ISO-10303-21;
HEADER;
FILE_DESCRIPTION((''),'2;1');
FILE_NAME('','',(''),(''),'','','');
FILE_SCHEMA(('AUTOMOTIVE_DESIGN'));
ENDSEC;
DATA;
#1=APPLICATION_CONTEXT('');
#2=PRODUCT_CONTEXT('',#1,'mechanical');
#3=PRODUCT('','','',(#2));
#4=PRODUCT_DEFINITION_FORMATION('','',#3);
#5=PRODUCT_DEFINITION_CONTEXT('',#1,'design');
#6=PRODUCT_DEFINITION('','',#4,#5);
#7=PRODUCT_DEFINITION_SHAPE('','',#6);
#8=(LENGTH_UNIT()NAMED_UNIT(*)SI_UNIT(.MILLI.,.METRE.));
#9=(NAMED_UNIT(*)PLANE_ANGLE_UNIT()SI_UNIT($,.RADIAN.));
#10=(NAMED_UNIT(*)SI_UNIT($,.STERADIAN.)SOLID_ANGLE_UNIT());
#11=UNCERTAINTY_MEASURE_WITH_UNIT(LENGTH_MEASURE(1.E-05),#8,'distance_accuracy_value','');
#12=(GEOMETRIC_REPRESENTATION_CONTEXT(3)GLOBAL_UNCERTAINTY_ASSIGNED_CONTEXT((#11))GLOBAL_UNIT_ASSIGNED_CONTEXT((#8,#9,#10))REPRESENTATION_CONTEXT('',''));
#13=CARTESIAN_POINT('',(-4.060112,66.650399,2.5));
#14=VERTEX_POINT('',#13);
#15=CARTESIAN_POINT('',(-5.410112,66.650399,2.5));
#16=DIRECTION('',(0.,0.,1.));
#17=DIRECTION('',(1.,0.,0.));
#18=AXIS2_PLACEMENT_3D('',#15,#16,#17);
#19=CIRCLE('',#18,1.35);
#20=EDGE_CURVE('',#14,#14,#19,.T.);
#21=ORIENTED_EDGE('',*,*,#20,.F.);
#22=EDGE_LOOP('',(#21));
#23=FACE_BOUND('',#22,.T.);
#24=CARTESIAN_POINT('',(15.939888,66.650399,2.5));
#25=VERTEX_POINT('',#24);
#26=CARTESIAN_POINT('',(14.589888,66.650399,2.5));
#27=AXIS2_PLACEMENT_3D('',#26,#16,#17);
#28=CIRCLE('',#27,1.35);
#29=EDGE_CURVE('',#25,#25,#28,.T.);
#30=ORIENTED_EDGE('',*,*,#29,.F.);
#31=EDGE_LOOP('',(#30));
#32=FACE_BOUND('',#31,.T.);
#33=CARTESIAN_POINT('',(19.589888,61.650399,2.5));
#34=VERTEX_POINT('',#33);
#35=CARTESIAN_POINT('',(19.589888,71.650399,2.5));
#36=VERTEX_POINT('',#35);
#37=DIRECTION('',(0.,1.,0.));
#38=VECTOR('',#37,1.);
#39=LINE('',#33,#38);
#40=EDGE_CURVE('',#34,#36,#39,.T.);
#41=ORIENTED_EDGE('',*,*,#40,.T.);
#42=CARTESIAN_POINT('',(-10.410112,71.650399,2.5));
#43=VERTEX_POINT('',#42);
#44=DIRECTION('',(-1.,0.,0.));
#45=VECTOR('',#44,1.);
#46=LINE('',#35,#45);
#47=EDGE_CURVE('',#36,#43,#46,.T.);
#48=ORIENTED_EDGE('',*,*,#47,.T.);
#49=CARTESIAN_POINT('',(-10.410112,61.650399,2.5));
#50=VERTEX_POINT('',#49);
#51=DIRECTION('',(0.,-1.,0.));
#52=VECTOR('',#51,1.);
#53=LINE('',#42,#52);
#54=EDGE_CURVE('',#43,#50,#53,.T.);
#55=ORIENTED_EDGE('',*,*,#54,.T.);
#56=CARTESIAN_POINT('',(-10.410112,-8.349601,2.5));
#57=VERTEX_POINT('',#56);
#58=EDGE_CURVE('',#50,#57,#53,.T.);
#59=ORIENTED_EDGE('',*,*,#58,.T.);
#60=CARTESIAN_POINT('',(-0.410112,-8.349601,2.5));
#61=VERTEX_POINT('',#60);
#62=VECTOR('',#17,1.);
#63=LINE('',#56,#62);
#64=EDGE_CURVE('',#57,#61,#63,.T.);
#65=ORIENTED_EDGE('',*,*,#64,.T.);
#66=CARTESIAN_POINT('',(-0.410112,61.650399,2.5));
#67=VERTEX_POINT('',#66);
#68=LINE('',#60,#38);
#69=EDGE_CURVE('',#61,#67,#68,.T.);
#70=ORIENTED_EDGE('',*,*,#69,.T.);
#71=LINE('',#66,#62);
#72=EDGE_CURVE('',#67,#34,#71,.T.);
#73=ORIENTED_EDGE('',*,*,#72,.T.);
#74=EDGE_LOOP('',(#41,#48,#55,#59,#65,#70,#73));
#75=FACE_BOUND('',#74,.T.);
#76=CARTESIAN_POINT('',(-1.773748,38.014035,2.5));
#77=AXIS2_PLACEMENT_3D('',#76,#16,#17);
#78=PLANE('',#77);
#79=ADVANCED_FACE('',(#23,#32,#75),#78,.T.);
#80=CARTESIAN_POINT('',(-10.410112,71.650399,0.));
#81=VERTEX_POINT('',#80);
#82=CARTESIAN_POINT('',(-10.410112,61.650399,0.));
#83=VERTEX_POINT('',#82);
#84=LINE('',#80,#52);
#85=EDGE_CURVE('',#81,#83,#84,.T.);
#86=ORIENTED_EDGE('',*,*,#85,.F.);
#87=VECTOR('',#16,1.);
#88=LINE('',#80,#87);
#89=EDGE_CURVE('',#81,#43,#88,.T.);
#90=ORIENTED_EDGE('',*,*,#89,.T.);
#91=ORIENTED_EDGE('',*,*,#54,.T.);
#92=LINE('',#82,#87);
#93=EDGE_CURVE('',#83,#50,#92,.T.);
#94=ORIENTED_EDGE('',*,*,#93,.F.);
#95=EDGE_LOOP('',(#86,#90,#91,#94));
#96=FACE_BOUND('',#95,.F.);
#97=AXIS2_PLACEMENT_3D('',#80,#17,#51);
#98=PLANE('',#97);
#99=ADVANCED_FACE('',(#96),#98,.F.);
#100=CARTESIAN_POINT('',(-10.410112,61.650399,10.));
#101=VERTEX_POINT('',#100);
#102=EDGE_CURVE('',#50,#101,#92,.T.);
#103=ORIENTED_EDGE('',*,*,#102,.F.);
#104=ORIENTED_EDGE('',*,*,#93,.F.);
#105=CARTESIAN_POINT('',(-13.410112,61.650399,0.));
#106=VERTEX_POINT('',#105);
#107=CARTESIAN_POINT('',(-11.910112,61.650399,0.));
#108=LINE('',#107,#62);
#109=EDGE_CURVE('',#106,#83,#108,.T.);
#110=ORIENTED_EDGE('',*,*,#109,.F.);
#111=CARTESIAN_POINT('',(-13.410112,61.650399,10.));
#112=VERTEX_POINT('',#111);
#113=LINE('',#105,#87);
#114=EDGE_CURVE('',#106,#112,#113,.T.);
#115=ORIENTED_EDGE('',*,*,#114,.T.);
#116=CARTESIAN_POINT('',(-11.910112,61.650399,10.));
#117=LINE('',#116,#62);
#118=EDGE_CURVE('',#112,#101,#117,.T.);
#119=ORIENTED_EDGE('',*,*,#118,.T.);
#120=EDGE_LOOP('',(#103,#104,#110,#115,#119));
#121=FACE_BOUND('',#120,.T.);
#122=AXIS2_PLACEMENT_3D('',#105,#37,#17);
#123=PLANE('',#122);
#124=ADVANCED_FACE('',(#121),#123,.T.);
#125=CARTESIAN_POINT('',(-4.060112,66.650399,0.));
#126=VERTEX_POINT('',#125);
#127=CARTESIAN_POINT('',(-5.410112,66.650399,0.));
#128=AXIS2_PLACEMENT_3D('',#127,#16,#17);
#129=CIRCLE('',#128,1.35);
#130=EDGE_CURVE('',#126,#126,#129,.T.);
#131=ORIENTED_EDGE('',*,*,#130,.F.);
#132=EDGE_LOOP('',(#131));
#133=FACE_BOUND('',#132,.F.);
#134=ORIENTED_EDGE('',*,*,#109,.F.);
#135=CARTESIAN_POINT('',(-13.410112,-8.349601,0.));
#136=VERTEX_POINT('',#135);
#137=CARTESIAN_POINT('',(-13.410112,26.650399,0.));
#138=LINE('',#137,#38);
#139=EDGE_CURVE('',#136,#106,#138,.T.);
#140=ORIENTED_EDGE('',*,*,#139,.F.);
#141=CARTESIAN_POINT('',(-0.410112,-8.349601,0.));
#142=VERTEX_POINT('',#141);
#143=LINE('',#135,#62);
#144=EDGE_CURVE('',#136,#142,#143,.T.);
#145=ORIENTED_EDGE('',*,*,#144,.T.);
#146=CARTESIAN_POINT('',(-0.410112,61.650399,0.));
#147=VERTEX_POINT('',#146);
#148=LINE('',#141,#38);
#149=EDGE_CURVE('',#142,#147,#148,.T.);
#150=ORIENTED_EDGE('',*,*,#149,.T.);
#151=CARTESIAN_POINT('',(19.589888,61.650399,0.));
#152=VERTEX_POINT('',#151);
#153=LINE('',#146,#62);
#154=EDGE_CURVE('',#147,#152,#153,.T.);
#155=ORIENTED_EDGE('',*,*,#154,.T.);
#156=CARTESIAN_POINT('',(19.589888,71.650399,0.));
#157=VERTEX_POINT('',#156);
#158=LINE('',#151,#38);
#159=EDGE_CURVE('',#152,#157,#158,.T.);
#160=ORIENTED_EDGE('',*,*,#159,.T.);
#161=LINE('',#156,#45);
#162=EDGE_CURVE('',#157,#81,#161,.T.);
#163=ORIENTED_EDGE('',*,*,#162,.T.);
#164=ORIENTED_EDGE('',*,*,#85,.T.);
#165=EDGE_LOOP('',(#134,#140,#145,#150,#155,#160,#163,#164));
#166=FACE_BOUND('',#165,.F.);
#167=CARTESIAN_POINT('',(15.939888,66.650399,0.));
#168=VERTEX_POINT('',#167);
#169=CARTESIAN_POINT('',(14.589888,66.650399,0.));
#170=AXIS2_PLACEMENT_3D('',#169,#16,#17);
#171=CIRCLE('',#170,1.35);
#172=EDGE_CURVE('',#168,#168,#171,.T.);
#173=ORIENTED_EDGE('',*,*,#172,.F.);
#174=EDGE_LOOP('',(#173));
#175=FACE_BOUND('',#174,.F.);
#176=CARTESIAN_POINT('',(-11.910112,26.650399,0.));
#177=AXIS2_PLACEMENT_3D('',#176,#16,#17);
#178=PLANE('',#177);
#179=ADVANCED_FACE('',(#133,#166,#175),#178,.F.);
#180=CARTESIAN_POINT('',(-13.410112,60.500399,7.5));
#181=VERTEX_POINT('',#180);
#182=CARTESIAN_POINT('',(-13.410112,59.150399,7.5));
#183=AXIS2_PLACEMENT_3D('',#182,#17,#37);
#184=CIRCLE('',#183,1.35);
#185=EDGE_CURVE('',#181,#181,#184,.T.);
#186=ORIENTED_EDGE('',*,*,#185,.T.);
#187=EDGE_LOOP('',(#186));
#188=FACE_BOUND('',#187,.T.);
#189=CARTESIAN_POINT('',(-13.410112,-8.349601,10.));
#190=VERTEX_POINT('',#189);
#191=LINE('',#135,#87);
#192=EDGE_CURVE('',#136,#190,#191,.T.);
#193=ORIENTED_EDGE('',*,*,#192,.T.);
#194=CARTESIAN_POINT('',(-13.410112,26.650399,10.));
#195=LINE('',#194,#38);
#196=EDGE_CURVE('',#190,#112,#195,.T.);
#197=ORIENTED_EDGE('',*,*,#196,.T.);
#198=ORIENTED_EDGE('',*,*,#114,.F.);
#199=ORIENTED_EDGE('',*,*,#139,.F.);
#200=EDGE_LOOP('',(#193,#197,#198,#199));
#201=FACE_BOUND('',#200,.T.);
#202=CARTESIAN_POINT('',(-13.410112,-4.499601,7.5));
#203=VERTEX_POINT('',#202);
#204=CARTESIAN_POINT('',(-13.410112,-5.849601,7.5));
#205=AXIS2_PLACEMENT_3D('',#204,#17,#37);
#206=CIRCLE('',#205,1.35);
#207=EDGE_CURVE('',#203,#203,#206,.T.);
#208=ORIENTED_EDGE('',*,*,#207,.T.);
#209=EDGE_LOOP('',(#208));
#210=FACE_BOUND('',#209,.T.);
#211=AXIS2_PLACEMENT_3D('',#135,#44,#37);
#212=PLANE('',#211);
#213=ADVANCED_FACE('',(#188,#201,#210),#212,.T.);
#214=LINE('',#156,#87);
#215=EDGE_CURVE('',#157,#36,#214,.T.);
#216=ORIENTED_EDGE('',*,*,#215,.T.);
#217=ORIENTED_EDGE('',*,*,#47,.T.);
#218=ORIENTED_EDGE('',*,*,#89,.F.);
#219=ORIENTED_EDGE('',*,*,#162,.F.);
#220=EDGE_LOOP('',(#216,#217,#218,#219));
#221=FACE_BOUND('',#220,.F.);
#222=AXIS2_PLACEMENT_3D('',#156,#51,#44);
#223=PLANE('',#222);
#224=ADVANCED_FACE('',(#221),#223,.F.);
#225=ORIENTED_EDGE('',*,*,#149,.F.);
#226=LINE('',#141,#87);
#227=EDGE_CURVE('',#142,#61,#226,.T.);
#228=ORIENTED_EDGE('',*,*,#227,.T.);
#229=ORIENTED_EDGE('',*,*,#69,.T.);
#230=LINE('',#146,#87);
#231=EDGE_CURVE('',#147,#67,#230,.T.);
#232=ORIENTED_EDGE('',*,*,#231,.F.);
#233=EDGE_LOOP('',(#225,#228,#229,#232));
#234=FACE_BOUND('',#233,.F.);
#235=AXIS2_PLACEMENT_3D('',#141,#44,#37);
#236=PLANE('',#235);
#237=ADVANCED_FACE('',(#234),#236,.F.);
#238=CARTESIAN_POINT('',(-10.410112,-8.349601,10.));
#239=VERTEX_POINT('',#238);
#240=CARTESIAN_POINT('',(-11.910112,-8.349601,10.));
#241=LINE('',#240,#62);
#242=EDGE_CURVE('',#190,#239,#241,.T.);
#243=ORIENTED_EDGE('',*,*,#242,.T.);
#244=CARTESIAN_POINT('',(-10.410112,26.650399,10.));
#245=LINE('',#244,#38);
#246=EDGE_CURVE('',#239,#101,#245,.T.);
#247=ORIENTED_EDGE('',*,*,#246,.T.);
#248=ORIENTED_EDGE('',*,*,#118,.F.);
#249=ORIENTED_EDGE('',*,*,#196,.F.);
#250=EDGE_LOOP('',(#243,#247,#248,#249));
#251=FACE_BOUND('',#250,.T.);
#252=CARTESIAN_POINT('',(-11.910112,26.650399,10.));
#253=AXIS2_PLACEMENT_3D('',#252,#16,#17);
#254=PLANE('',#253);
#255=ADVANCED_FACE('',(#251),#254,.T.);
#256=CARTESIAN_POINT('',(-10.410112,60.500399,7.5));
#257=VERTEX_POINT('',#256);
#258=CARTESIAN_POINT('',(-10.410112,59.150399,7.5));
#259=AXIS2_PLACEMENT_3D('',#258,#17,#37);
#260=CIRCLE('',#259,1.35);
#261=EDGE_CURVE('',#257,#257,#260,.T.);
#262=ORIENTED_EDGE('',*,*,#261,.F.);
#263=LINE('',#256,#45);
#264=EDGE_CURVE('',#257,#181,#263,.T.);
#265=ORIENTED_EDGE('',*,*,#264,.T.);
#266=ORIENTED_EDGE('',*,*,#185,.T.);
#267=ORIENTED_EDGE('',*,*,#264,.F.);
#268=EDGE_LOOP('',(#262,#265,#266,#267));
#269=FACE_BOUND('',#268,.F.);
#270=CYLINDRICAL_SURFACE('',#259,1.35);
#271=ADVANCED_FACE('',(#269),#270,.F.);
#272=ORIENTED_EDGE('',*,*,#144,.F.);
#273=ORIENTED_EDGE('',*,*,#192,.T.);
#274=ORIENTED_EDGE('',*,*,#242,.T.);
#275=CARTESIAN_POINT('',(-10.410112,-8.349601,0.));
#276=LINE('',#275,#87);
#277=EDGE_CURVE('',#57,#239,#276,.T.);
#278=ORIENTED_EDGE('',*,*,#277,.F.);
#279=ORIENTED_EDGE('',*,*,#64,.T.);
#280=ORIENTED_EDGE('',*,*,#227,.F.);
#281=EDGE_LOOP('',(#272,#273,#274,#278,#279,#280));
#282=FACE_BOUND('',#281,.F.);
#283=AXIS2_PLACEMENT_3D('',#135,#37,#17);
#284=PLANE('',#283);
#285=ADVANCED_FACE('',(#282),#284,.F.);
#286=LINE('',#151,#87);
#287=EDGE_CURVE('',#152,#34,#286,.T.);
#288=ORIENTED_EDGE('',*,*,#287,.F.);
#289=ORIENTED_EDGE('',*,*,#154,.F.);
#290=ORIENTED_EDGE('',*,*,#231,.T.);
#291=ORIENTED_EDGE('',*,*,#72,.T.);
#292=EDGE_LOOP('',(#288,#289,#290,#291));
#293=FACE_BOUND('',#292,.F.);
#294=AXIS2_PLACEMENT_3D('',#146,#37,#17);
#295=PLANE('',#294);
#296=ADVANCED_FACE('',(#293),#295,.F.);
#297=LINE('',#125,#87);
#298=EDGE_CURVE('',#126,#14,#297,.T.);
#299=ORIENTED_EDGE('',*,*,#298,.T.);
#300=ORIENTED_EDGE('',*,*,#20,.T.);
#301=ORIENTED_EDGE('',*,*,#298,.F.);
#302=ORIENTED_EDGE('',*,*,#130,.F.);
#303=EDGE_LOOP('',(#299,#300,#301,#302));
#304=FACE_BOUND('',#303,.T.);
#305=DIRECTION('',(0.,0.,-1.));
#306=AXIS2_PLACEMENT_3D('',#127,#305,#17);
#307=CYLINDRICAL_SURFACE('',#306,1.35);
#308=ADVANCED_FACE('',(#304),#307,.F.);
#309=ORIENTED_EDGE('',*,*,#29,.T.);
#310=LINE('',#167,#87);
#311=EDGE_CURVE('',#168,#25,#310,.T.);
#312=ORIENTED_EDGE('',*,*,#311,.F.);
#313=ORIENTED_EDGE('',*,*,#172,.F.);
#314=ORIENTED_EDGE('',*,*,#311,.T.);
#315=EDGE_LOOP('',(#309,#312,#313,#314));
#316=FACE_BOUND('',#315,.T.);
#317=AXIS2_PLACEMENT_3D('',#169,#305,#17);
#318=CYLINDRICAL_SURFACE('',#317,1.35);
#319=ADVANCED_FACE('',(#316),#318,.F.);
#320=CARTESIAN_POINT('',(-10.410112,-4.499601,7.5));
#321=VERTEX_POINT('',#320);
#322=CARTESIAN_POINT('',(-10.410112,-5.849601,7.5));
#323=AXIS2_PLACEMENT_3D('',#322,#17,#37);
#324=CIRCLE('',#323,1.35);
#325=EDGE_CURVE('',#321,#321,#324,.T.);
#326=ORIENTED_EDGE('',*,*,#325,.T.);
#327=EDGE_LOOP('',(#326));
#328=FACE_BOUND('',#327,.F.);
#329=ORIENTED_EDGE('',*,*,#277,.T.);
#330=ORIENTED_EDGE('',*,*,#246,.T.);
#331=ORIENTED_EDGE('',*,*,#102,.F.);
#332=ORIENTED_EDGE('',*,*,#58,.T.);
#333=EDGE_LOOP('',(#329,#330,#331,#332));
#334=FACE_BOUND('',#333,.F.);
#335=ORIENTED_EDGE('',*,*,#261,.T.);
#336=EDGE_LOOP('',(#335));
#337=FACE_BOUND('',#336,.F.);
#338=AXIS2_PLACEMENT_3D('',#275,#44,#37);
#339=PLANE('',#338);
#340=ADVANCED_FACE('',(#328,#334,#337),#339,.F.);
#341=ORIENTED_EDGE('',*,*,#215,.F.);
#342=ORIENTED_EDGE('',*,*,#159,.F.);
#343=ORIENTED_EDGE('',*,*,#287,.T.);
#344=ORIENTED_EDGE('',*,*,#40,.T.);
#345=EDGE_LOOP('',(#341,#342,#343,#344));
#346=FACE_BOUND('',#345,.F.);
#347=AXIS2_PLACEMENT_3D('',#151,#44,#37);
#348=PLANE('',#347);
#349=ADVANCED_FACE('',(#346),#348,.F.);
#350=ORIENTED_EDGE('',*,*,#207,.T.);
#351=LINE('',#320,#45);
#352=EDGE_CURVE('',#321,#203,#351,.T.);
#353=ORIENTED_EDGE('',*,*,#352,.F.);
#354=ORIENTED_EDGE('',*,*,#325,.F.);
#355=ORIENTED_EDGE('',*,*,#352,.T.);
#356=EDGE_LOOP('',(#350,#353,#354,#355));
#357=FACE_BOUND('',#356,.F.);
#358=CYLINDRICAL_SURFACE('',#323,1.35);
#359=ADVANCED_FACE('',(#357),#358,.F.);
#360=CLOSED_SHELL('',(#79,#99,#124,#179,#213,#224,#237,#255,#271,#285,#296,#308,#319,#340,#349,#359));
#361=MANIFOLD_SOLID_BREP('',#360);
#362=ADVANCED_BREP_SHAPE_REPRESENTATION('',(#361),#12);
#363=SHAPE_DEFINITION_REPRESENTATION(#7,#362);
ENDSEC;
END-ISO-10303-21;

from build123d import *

# Parameters (mm, degrees)
F0_R     = 1.35
F1_DEPTH = 2.5
F0_W     = 3
F0_H     = 70
F2_DEPTH = 10
F3_R     = 1.35
F4_DEPTH = 3.001


with BuildPart() as f1:
    # F0 (on Top) → F1 (new body)
    with BuildSketch(Plane.XY):
        Polygon((19.589888, 61.650399), (19.589888, 71.650399), (-10.410112, 71.650399), (-10.410112, 61.650399), (-10.410112, -8.349601), (-0.410112, -8.349601), (-0.410112, 61.650399), align=None)
        with Locations((-5.410112, 66.650399)):
            Circle(F0_R, mode=Mode.SUBTRACT)
        with Locations((14.589888, 66.650399)):
            Circle(F0_R, mode=Mode.SUBTRACT)
    extrude(amount=F1_DEPTH)

    # F0 (on Top) → F2 (join)
    with BuildSketch(Plane.XY):
        with Locations((-11.910112, 26.650399)):
            Rectangle(F0_W, F0_H)
    extrude(amount=F2_DEPTH)

    # F3 (on face) → F4 (cut, through all)
    with BuildSketch(Plane.YZ.offset(-10.410112)):
        with Locations((-5.849601, 7.5)):
            Circle(F3_R)
        with Locations((59.150399, 7.5)):
            Circle(F3_R)
    extrude(amount=-F4_DEPTH, mode=Mode.SUBTRACT)


solid = f1.part
